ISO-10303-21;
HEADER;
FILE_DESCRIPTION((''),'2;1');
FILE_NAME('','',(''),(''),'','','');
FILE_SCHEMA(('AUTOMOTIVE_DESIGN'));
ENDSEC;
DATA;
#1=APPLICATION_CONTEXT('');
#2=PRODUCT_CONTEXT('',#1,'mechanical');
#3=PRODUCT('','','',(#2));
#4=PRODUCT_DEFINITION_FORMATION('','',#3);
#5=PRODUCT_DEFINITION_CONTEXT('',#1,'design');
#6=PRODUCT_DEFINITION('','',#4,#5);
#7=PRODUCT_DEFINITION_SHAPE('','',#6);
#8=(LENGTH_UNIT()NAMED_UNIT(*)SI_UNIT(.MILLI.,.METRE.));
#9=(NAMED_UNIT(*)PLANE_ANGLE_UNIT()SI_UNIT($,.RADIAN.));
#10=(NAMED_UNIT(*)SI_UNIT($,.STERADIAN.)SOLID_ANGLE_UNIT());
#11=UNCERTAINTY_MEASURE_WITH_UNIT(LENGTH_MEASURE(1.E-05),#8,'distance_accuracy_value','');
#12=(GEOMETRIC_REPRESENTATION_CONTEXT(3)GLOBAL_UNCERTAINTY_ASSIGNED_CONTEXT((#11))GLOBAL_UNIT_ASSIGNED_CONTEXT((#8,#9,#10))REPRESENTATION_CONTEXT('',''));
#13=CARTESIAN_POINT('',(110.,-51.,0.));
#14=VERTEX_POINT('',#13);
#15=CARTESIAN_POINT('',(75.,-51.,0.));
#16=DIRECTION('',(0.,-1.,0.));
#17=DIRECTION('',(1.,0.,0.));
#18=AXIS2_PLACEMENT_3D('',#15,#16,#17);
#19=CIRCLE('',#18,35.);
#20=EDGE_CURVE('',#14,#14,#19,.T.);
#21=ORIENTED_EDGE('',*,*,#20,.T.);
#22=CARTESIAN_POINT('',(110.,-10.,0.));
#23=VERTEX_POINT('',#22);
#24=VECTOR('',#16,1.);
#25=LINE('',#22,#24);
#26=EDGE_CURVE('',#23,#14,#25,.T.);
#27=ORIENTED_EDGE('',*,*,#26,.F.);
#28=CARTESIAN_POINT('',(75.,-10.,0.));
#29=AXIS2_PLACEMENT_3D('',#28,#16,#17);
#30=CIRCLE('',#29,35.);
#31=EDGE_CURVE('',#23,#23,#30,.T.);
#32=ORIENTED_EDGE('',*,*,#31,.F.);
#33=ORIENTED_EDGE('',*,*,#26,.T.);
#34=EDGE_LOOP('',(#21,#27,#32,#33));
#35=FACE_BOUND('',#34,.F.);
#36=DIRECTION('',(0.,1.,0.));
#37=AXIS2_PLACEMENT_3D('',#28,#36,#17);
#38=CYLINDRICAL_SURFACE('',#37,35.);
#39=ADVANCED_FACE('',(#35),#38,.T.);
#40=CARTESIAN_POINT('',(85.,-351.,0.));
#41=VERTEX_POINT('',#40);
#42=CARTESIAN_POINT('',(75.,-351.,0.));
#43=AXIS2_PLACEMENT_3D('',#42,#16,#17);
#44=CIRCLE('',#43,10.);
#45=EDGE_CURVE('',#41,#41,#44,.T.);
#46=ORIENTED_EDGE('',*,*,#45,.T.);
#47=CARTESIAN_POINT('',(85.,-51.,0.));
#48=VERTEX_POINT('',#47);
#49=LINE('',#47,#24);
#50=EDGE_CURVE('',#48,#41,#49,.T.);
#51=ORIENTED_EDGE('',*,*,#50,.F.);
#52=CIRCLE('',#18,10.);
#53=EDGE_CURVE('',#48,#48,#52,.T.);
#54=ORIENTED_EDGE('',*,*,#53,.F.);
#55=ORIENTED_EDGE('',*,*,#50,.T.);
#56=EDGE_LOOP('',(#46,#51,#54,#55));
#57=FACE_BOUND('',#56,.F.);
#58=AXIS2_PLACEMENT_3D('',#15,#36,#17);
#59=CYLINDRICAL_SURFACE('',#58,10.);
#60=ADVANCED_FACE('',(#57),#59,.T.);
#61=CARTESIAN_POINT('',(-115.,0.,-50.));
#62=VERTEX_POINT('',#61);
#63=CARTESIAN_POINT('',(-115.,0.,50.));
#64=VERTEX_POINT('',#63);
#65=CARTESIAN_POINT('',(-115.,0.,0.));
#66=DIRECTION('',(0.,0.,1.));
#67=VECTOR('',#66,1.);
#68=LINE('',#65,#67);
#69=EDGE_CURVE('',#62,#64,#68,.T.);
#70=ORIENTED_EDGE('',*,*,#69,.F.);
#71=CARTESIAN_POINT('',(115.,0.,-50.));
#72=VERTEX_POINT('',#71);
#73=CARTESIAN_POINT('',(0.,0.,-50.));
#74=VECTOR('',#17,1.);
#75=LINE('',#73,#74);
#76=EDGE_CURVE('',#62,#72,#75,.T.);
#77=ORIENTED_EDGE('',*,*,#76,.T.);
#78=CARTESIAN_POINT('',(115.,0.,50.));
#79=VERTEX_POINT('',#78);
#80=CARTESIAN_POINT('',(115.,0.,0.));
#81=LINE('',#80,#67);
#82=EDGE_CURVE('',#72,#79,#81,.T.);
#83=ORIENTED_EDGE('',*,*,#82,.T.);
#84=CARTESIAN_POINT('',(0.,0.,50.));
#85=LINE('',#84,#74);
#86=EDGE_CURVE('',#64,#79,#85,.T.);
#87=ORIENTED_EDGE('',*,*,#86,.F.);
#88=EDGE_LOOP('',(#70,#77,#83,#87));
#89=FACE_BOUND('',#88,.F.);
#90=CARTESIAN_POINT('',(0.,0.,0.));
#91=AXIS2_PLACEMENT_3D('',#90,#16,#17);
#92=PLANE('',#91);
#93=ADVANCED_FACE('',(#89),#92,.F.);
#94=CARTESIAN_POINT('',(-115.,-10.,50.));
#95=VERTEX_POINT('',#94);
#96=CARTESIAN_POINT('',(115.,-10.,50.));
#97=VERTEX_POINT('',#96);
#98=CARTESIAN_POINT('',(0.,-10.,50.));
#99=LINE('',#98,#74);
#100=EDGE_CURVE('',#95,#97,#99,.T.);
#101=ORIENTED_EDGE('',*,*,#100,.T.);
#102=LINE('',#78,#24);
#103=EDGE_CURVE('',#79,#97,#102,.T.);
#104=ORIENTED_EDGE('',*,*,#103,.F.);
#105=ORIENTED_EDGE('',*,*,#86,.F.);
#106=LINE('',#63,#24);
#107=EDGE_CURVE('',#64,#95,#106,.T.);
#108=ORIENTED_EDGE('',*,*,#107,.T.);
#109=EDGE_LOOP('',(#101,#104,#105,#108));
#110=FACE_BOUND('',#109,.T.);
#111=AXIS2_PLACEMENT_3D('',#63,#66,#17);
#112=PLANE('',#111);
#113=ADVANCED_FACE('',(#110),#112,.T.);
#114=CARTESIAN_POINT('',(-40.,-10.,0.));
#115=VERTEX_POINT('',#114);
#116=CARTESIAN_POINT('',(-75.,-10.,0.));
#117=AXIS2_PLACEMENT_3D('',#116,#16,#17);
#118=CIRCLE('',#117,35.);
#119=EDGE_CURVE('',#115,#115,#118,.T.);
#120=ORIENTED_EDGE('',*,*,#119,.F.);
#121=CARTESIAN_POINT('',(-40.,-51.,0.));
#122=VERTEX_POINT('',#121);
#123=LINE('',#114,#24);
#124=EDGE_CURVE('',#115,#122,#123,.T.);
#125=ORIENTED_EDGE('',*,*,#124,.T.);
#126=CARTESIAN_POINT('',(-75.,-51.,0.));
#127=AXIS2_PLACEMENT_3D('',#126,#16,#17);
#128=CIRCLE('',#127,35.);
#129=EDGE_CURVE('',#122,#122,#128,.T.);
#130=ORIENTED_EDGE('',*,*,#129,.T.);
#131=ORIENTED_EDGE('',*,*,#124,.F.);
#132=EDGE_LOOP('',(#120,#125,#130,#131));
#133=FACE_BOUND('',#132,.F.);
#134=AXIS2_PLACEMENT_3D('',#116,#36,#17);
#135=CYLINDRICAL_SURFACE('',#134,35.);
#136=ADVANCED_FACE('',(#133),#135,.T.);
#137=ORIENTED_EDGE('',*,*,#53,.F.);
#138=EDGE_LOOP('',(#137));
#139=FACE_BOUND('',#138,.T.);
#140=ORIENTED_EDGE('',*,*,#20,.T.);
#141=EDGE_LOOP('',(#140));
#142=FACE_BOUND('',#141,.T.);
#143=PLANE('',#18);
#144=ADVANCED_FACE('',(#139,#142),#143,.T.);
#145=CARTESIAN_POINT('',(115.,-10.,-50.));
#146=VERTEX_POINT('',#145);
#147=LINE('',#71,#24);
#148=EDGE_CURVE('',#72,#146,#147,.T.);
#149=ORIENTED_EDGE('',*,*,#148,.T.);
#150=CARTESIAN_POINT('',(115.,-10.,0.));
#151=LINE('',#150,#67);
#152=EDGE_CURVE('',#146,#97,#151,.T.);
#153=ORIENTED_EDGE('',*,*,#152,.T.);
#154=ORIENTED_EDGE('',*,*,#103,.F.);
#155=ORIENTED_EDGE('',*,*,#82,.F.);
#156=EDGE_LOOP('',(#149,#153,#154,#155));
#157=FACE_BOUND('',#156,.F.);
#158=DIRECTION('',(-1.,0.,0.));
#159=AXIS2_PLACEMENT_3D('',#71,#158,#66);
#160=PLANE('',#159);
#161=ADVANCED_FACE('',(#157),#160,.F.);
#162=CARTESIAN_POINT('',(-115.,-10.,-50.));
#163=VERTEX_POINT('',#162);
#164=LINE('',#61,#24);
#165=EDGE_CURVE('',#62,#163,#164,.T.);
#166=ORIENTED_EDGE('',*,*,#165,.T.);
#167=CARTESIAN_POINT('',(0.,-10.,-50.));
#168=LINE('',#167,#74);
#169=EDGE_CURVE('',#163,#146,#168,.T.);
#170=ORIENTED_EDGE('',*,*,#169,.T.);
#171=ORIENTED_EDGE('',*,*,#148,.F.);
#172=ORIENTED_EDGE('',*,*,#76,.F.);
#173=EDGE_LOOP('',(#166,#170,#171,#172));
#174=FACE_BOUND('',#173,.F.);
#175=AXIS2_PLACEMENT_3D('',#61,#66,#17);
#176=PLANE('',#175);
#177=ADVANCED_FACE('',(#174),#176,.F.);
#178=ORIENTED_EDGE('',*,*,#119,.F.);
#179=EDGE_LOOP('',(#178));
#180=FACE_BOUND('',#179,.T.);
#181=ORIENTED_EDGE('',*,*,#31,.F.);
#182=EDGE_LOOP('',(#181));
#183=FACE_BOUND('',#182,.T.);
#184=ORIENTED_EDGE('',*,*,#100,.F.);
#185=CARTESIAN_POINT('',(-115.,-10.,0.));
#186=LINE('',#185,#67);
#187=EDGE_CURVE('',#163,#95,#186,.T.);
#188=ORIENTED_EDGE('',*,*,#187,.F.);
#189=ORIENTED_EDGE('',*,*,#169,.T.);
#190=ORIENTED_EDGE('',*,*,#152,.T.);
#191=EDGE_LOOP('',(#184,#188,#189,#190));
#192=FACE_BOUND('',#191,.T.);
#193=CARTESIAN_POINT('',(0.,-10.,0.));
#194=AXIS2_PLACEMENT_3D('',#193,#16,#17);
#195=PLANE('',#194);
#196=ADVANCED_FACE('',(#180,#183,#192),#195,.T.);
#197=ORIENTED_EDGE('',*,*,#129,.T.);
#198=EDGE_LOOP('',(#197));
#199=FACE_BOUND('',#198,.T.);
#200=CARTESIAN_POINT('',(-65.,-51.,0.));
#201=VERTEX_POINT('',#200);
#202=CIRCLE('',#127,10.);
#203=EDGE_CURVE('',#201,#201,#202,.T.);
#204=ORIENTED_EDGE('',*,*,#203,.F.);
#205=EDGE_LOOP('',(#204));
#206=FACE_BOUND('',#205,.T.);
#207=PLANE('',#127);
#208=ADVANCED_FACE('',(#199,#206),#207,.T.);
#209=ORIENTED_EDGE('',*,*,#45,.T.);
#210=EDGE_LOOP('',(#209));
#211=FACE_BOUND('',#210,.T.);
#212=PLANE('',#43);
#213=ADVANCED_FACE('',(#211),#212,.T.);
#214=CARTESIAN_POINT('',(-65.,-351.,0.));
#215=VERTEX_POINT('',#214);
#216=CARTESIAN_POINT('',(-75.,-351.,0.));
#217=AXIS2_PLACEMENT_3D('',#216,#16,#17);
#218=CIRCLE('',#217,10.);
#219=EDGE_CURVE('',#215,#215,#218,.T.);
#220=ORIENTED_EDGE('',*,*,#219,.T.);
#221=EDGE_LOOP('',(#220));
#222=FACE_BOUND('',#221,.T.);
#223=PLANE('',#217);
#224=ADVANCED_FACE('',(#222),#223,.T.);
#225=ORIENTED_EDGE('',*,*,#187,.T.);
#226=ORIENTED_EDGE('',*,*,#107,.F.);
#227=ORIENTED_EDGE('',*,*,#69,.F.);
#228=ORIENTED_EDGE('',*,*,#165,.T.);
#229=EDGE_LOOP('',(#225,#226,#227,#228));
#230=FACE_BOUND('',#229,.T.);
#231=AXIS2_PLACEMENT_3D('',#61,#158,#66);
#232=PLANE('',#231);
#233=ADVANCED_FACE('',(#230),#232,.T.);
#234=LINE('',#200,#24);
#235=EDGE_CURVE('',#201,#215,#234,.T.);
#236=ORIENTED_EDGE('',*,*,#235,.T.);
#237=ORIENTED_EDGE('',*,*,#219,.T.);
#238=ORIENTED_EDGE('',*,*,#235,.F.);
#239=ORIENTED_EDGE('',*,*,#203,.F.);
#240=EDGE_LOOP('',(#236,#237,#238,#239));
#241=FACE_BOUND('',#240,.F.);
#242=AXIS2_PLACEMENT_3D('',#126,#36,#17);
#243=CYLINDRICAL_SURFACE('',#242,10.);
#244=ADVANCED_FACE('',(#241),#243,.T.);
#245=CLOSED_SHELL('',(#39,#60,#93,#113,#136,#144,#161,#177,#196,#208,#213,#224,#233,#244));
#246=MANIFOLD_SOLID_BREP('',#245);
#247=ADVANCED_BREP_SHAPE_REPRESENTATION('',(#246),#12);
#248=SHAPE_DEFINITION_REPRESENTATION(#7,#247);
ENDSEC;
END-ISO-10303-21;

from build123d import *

# Parameters (mm, degrees)
F0_W     = 230
F0_H     = 100
F1_DEPTH = 10
F2_R     = 35
F3_DEPTH = 41
F4_R     = 10
F5_DEPTH = 300


with BuildPart() as f1:
    # F0 (on Front) → F1 (new body)
    with BuildSketch(Plane.XZ):
        Rectangle(F0_W, F0_H)
    extrude(amount=F1_DEPTH)

    # F2 (on face) → F3 (join)
    with BuildSketch(Plane.XZ.offset(10)):
        with Locations((-75, 0)):
            Circle(F2_R)
        with Locations((75, 0)):
            Circle(F2_R)
    extrude(amount=F3_DEPTH)

    # F4 (on face) → F5 (join)
    with BuildSketch(Plane.XZ.offset(51)):
        with Locations((-75, 0)):
            Circle(F4_R)
        with Locations((75, 0)):
            Circle(F4_R)
    extrude(amount=F5_DEPTH)


solid = f1.part
